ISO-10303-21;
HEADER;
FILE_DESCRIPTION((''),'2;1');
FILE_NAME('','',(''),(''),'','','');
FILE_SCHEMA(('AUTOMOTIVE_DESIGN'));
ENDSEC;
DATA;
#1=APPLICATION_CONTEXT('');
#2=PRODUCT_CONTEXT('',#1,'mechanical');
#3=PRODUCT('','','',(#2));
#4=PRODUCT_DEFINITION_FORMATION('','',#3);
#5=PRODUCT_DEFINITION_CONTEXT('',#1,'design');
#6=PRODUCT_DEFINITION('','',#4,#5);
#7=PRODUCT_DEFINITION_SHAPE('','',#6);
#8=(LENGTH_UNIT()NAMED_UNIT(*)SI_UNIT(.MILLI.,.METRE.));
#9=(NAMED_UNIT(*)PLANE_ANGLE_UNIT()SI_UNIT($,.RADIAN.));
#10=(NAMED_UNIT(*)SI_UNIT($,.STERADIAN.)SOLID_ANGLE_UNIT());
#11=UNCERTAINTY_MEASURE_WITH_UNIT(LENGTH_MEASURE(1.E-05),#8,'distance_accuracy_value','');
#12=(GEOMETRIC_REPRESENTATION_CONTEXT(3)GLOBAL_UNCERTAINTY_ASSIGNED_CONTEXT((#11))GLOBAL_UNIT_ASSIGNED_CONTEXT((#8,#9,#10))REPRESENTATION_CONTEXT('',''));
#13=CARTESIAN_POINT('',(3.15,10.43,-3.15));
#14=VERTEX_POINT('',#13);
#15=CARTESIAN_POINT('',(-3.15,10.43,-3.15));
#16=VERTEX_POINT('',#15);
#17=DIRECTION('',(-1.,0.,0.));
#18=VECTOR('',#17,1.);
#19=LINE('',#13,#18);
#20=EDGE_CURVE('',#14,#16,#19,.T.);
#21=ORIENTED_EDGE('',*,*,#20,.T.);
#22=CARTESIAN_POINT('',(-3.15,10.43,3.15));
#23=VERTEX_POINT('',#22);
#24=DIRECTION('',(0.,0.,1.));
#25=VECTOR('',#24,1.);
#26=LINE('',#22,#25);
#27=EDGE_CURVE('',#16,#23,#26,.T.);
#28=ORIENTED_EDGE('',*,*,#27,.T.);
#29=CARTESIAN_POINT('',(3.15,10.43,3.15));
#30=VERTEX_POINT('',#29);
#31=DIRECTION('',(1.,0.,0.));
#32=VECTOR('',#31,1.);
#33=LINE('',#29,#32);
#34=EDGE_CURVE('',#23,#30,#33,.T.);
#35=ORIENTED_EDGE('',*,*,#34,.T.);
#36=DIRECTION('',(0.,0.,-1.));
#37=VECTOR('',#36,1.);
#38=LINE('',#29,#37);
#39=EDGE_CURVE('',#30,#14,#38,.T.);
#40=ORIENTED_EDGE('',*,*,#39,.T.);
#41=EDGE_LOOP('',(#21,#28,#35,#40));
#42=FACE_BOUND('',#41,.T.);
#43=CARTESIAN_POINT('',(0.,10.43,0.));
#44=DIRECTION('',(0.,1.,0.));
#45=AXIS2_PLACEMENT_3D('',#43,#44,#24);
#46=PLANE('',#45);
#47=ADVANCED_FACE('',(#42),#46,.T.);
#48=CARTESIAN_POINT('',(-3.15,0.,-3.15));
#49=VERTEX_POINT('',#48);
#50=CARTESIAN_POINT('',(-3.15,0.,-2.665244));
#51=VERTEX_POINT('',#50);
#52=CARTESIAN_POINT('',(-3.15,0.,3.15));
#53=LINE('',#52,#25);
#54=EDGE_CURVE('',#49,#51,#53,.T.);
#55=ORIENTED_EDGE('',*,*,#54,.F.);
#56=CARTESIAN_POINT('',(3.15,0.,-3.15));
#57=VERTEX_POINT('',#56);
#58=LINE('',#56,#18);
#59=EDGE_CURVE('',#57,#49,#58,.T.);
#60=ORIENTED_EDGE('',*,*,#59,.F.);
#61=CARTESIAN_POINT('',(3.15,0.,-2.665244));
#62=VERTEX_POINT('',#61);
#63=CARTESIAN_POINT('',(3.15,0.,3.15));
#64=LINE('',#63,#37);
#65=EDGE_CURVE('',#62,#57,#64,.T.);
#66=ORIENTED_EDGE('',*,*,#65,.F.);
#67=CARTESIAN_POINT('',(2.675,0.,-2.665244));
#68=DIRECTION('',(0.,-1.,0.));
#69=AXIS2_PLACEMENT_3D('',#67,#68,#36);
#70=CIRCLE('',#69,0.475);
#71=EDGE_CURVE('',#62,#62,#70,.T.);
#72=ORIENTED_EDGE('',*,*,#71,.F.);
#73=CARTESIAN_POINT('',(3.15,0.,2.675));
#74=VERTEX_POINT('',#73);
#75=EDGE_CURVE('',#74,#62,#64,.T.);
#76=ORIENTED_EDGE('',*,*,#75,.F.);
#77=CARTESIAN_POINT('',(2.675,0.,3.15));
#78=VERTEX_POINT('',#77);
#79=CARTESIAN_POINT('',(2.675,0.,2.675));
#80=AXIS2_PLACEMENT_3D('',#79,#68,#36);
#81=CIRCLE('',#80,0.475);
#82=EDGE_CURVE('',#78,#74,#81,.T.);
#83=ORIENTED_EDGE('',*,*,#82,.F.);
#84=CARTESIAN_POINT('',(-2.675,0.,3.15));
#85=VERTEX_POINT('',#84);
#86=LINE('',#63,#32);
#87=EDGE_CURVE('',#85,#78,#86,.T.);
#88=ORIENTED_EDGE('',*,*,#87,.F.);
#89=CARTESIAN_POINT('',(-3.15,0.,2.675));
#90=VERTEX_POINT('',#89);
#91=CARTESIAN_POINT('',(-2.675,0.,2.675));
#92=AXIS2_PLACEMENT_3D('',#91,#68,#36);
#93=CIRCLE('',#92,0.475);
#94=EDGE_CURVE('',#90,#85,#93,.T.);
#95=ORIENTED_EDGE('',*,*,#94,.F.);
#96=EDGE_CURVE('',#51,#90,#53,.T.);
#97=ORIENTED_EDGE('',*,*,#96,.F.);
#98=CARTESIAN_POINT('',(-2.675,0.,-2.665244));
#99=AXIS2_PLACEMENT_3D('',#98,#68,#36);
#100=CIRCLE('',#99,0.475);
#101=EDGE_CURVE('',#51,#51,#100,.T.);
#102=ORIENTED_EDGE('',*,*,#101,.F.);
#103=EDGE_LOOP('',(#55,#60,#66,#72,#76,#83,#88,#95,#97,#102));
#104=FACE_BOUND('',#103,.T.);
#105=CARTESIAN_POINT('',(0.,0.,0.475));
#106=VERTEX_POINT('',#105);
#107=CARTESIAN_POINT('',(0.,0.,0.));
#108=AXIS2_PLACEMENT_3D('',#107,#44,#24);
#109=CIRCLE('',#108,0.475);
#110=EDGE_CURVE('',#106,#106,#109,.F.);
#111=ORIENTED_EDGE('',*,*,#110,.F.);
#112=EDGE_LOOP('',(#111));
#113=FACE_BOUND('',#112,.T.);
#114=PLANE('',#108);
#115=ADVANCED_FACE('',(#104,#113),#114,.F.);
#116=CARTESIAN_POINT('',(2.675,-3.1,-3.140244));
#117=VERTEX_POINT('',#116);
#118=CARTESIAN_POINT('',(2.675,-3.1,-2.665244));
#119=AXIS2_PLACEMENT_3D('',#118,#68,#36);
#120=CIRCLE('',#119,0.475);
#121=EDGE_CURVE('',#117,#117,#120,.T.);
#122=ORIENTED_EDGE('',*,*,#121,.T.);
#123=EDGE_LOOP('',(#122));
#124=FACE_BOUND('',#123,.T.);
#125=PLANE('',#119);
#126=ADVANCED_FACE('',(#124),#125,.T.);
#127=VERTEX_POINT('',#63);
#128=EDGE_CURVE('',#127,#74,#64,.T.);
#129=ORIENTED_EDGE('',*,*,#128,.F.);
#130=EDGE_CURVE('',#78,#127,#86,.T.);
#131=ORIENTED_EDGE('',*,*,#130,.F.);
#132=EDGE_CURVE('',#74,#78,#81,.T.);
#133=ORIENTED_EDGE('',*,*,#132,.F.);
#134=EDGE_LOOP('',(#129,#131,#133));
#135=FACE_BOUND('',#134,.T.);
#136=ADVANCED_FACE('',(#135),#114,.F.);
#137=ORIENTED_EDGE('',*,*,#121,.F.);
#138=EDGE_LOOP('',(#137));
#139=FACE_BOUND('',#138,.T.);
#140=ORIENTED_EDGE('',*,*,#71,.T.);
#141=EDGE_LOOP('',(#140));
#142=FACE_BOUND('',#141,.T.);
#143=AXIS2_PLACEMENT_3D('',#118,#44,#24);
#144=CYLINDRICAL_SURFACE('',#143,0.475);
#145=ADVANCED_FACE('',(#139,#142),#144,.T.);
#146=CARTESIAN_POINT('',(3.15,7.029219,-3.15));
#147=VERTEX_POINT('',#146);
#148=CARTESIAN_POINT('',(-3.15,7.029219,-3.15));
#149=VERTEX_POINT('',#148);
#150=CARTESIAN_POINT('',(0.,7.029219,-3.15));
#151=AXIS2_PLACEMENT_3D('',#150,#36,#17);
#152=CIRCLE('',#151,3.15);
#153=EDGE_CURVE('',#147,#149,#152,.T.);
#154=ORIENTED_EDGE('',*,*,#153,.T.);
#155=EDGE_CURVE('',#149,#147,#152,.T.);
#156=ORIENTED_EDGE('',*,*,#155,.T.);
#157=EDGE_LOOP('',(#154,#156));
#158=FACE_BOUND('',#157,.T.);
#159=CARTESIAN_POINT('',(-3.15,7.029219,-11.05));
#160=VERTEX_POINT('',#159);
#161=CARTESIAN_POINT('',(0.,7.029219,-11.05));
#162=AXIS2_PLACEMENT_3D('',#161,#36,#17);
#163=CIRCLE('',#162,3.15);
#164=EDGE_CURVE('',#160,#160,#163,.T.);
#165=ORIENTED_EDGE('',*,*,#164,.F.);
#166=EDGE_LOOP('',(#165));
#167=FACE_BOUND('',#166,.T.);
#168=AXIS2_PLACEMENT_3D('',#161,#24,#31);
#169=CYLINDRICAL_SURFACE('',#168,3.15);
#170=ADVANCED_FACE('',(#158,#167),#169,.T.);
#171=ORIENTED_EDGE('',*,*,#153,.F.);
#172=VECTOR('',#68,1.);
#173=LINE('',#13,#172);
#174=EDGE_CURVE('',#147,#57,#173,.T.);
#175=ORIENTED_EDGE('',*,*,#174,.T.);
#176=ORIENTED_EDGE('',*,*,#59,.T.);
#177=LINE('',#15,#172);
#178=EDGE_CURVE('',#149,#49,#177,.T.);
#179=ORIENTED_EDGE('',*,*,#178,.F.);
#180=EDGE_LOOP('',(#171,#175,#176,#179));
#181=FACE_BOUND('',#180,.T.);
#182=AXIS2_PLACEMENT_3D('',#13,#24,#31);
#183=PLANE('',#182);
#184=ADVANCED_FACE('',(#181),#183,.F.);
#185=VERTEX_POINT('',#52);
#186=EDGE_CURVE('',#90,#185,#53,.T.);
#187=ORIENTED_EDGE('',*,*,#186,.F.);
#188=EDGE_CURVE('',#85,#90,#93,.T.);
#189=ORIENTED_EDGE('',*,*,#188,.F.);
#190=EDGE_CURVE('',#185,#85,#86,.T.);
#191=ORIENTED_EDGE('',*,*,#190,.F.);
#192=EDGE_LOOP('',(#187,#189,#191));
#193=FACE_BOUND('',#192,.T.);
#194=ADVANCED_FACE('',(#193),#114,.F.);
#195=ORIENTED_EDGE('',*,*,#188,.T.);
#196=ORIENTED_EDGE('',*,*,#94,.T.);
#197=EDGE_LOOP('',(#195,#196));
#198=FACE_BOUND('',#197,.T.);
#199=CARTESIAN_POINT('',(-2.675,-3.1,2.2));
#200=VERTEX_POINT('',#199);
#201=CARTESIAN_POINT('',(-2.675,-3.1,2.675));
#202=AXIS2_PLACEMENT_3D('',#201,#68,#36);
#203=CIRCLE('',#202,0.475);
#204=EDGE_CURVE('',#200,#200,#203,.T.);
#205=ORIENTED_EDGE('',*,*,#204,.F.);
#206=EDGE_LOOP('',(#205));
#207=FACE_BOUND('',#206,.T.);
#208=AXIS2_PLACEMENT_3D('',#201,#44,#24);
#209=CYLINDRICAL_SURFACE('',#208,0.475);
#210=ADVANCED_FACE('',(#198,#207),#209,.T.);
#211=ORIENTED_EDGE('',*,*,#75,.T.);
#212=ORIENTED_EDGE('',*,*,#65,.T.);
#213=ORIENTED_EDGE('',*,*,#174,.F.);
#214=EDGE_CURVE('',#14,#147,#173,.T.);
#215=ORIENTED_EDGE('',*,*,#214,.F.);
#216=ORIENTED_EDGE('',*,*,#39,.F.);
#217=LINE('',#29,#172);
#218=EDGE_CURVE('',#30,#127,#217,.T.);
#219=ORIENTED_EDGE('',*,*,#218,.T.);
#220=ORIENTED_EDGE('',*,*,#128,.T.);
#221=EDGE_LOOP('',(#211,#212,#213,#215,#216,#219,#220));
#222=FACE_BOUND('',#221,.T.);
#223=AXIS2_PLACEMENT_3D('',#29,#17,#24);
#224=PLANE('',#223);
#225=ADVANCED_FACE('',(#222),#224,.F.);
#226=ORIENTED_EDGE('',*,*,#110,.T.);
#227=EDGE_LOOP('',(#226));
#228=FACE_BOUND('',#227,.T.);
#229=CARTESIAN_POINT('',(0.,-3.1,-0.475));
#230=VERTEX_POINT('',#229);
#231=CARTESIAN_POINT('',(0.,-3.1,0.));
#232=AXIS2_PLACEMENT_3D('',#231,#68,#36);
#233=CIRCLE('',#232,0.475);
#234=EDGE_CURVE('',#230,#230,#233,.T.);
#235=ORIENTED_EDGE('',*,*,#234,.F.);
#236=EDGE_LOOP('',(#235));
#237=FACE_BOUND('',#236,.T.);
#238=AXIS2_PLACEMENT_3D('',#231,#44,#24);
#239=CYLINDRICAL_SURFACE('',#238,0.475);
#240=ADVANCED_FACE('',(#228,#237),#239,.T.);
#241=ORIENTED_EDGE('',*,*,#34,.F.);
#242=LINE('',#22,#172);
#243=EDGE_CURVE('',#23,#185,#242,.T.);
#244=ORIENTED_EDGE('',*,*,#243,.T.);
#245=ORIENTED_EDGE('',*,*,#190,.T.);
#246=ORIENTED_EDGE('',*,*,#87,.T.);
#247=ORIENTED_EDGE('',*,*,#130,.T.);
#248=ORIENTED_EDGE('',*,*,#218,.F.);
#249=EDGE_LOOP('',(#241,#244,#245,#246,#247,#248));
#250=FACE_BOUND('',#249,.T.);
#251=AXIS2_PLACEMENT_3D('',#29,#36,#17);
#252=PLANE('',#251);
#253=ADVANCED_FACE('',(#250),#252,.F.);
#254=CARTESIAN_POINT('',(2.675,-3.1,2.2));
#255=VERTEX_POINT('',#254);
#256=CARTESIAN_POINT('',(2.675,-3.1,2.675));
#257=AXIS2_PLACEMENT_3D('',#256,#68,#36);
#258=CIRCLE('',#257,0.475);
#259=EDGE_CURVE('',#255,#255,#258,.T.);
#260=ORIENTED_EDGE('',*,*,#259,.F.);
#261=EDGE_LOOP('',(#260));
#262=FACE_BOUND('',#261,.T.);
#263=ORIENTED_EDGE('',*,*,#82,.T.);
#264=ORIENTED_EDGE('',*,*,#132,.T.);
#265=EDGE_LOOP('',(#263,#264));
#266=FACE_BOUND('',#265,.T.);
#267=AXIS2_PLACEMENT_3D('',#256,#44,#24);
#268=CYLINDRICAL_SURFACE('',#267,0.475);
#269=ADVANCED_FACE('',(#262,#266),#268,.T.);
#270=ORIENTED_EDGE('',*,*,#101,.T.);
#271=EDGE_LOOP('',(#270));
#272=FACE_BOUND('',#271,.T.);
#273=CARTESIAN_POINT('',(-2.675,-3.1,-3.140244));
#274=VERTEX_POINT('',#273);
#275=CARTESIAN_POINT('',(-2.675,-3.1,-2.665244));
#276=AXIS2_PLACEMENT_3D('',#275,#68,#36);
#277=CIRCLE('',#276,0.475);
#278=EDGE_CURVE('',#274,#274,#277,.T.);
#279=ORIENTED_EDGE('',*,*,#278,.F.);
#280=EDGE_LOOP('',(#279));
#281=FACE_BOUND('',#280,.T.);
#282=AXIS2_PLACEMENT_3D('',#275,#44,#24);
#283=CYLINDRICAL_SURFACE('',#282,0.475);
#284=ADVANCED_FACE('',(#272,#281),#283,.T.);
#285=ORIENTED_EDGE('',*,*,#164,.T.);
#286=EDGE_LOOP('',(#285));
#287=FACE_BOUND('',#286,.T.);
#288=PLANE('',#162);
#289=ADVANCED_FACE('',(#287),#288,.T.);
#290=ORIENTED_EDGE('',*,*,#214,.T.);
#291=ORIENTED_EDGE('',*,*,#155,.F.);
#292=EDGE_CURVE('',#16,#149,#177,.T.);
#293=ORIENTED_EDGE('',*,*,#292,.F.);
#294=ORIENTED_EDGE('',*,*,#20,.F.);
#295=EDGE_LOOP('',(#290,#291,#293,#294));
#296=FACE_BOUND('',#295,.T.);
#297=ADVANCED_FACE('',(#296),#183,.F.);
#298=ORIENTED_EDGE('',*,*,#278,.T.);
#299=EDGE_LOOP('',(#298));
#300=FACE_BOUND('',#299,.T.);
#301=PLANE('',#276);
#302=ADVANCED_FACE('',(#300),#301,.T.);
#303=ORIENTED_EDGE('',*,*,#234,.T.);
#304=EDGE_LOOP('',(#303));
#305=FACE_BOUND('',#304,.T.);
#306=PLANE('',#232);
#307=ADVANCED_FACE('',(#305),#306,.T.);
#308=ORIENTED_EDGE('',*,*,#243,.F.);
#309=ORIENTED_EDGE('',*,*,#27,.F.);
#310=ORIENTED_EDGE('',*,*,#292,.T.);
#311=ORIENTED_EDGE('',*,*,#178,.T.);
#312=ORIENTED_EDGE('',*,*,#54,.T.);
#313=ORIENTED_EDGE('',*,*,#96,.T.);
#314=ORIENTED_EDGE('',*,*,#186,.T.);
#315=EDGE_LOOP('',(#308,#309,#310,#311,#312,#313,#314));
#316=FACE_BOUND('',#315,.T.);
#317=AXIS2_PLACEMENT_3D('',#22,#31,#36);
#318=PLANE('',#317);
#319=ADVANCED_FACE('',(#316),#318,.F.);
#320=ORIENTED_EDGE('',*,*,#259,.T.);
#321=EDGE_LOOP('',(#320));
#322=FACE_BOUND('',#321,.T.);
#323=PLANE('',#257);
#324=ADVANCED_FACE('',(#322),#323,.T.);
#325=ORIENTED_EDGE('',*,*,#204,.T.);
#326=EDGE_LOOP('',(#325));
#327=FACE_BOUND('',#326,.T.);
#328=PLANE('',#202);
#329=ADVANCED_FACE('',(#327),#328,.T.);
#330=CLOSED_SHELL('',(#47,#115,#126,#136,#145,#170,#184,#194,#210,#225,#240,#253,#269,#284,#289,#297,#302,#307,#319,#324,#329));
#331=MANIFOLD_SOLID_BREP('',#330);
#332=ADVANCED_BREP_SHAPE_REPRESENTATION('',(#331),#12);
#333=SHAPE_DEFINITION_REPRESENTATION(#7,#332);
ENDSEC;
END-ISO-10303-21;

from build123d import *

# Parameters (mm, degrees)
SKETCH1_W           = 6.3
SKETCH1_H           = 6.3
BOSS_EXTRUDE1_DEPTH = 10.43
SKETCH2_R           = 3.15
BOSS_EXTRUDE2_DEPTH = 7.9
SKETCH3_R           = 0.475
BOSS_EXTRUDE3_DEPTH = 3.1


with BuildPart() as part:
    # Sketch1 → Boss-Extrude1 (new body)
    with BuildSketch(Plane(origin=(0, 0, 0), x_dir=(1, 0, 0), z_dir=(0, 1, 0))):
        Rectangle(SKETCH1_W, SKETCH1_H)
    extrude(amount=BOSS_EXTRUDE1_DEPTH)

    # Sketch2 → Boss-Extrude2 (add)
    with BuildSketch(Plane(origin=(0, 0, -3.15), x_dir=(-1, 0, 0), z_dir=(0, 0, -1))):
        with Locations((0, 7.029219023)):
            Circle(SKETCH2_R)
    extrude(amount=BOSS_EXTRUDE2_DEPTH)

    # Sketch3 → Boss-Extrude3 (add)
    with BuildSketch(Plane(origin=(0, 0, 0), x_dir=(-1, 0, 0), z_dir=(0, -1, 0))):
        Circle(SKETCH3_R)
        with Locations((2.675, -2.675)):
            Circle(SKETCH3_R)
        with Locations((-2.675, -2.675)):
            Circle(SKETCH3_R)
        with Locations((2.675, 2.66524354)):
            Circle(SKETCH3_R)
        with Locations((-2.675, 2.66524354)):
            Circle(SKETCH3_R)
    extrude(amount=BOSS_EXTRUDE3_DEPTH)


solid = part.part
